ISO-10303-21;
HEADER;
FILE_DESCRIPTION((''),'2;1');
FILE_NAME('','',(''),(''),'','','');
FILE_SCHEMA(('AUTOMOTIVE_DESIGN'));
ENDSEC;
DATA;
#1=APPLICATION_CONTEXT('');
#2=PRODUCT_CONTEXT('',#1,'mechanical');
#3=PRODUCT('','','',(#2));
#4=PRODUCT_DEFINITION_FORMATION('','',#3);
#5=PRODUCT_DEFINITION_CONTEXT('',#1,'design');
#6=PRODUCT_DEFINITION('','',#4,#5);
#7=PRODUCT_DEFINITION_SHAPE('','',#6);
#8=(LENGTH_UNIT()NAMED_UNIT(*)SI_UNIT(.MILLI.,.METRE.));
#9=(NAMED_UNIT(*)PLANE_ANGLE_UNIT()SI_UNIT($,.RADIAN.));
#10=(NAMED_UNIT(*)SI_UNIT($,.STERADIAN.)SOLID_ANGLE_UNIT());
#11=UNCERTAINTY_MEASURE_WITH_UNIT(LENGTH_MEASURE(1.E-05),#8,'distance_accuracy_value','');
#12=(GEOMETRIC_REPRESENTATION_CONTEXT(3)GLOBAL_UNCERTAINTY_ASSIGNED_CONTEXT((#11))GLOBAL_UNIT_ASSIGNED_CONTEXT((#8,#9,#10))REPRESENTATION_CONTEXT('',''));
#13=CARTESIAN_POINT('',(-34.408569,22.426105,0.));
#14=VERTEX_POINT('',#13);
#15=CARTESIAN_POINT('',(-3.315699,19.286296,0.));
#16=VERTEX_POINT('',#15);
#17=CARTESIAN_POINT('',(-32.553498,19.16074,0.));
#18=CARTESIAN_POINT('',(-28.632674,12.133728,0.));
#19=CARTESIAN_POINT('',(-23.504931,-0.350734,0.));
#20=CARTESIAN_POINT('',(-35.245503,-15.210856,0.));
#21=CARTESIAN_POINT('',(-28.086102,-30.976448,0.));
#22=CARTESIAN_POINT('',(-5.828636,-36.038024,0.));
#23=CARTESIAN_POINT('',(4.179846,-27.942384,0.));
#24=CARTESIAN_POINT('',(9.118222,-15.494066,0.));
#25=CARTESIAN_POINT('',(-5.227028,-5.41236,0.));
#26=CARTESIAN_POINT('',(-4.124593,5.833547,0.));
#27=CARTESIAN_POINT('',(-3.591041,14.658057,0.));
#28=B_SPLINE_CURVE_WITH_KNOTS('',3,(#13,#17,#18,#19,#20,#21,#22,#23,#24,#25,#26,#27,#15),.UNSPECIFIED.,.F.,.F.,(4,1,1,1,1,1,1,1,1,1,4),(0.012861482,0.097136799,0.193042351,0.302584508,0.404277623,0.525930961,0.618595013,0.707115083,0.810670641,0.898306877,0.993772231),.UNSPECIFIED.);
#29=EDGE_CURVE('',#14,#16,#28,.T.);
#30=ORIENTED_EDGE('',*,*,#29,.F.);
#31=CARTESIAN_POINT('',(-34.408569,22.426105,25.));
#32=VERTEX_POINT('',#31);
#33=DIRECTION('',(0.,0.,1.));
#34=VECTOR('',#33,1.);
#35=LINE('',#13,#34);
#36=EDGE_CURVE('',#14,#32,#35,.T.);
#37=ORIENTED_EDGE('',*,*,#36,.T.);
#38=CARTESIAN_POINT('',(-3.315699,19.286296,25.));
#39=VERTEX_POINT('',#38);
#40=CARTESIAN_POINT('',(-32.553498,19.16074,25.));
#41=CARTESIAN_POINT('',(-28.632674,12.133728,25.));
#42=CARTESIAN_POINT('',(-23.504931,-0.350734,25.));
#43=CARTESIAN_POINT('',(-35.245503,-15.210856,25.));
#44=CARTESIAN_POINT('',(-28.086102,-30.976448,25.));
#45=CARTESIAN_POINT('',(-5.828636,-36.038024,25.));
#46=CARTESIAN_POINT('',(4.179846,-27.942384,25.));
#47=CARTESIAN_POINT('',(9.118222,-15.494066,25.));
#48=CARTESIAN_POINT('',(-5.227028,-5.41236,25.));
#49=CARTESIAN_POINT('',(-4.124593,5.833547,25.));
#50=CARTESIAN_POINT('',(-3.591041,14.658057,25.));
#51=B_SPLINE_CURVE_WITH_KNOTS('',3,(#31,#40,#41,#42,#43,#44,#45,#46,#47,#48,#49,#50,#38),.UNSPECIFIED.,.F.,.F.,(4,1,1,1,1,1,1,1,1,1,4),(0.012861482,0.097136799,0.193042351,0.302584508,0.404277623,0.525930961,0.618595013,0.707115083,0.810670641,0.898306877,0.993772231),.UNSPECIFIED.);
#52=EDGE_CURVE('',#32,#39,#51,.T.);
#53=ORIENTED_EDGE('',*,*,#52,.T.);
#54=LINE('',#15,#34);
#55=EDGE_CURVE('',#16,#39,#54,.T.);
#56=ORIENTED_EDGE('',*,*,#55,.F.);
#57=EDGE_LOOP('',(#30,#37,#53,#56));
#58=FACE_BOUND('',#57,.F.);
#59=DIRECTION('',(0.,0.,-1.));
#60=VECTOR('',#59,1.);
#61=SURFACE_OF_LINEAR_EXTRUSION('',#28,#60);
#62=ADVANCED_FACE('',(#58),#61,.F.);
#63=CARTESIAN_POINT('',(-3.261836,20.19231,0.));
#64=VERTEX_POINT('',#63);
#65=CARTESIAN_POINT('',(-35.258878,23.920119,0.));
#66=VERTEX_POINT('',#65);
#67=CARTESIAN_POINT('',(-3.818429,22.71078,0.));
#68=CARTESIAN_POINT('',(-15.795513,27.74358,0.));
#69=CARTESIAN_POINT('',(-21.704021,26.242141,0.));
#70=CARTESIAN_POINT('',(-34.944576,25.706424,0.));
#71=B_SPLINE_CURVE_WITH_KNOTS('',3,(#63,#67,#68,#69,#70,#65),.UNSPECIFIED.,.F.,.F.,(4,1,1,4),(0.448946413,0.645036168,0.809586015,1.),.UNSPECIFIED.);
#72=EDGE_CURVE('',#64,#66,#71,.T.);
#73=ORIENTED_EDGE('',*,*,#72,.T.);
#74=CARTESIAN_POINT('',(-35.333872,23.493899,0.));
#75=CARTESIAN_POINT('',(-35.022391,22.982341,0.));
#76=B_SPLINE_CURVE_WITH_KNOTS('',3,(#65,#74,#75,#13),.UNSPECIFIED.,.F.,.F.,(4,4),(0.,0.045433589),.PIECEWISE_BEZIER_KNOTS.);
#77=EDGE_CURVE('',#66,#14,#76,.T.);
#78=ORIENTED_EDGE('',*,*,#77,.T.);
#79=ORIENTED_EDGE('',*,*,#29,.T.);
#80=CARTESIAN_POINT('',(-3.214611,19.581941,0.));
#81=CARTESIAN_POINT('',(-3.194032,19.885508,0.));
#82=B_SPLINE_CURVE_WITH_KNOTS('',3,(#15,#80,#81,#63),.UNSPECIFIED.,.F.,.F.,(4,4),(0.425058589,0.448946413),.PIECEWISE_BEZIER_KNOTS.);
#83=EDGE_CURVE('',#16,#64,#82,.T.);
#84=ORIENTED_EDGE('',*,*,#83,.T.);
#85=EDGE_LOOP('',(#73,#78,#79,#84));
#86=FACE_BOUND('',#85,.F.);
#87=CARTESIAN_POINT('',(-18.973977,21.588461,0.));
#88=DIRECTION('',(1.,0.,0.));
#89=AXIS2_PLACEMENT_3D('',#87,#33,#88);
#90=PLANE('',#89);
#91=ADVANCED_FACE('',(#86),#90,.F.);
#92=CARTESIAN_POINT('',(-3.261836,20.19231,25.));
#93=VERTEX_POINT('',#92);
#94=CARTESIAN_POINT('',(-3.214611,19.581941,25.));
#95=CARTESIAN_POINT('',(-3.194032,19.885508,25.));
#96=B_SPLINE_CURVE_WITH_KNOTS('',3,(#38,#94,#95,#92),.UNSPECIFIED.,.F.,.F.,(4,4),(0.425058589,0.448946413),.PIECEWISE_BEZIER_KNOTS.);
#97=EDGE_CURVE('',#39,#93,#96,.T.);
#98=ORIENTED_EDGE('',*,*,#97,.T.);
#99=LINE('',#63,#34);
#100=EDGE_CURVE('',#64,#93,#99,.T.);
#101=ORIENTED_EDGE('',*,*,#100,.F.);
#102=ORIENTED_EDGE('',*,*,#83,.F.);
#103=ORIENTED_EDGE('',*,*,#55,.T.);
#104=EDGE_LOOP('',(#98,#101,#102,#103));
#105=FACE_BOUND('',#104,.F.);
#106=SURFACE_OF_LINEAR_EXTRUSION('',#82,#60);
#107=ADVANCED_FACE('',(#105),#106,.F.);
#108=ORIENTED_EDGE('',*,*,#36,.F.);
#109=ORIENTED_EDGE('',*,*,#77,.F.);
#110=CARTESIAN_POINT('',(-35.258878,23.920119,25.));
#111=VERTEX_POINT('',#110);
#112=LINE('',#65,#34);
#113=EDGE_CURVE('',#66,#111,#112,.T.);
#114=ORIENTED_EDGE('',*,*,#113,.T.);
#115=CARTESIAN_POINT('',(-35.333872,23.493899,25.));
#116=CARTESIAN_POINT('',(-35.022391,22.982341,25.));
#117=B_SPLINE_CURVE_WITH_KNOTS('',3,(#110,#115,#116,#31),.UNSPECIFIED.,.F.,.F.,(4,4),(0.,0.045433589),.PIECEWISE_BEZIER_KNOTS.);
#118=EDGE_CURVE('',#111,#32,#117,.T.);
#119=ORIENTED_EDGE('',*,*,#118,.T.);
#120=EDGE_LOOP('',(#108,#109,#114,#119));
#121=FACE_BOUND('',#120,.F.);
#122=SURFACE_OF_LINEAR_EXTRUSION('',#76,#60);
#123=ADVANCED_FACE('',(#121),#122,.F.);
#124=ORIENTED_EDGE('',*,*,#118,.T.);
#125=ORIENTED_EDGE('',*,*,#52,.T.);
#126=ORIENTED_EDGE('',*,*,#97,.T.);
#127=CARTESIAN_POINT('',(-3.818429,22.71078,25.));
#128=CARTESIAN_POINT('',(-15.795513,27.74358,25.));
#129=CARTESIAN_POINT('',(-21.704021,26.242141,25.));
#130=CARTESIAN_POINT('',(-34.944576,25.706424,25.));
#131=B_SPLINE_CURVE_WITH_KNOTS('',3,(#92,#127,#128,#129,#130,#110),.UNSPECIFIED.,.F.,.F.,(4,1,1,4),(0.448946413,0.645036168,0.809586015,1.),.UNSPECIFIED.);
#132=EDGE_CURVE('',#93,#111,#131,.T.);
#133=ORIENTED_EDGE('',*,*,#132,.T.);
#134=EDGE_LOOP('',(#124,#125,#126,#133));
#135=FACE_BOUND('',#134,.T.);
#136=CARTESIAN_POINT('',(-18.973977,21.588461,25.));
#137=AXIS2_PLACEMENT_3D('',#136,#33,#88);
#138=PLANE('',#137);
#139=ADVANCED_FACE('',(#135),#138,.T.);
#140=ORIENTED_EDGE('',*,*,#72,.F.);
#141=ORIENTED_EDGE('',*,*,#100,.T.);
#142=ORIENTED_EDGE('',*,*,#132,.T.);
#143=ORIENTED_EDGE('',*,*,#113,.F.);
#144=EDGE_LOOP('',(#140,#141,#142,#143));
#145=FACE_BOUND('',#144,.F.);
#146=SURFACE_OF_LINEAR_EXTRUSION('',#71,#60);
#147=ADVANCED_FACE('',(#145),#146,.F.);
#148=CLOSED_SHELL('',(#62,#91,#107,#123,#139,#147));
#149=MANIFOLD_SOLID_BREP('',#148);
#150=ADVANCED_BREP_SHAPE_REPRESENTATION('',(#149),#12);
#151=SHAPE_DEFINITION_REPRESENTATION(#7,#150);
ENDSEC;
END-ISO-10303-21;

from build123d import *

# Parameters (mm, degrees)
F1_DEPTH = 25


with BuildPart() as f1:
    # F0 (on Top) → F1 (new body)
    with BuildSketch(Plane.XY):
        with BuildLine():
            add(Edge.make_bspline(
                [(-3.3156988859, 19.2862956781), (-3.2977366911, 19.5882230066), (-3.2797865848, 19.8902666103), (-3.2618364785, 20.192310214)],
                knots=[0.9937722308, 0.9937722308, 0.9937722308, 0.9937722308, 1, 1, 1, 1], degree=3))
            add(Edge.make_bspline(
                [(-3.2618364785, 20.192310214), (-3.8184291734, 22.7107801267), (-15.795513292, 27.7435802494), (-21.704021288, 26.2421406393), (-34.9445758403, 25.7064244357), (-35.2588780224, 23.9201188087)],
                knots=[0.4489464131, 0.4489464131, 0.4489464131, 0.4489464131, 0.6450361681, 0.8095860148, 1, 1, 1, 1], degree=3))
            add(Edge.make_bspline(
                [(-35.2588780224, 23.9201188087), (-34.9752769969, 23.422280052), (-34.6916759714, 22.9244412952), (-34.4085686758, 22.4261052172)],
                knots=[0, 0, 0, 0, 0.0128614815, 0.0128614815, 0.0128614815, 0.0128614815], degree=3))
            add(Edge.make_bspline(
                [(-34.4085686758, 22.4261052172), (-31.5226835963, 19.8109614007), (-14.5166865308, 13.4081104144), (-4.0182506034, 17.2315768863), (-3.3156988859, 19.2862956781)],
                knots=[0.0454335892, 0.0454335892, 0.0454335892, 0.0454335892, 0.259039548, 0.4250585885, 0.4250585885, 0.4250585885, 0.4250585885], degree=3))
        make_face()
        with BuildLine():
            add(Edge.make_bspline(
                [(-3.3156988859, 19.2862956781), (-3.2146114915, 19.5819410573), (-3.1940318719, 19.8855080172), (-3.2618364785, 20.192310214)],
                knots=[0.4250585885, 0.4250585885, 0.4250585885, 0.4250585885, 0.4489464131, 0.4489464131, 0.4489464131, 0.4489464131], degree=3))
            add(Edge.make_bspline(
                [(-3.3156988859, 19.2862956781), (-3.2977366911, 19.5882230066), (-3.2797865848, 19.8902666103), (-3.2618364785, 20.192310214)],
                knots=[0.9937722308, 0.9937722308, 0.9937722308, 0.9937722308, 1, 1, 1, 1], degree=3))
        make_face()
        with BuildLine():
            add(Edge.make_bspline(
                [(-35.2588780224, 23.9201188087), (-34.9752769969, 23.422280052), (-34.6916759714, 22.9244412952), (-34.4085686758, 22.4261052172)],
                knots=[0, 0, 0, 0, 0.0128614815, 0.0128614815, 0.0128614815, 0.0128614815], degree=3))
            add(Edge.make_bspline(
                [(-35.2588780224, 23.9201188087), (-35.3338718639, 23.4938986658), (-35.0223910514, 22.982341431), (-34.4085686758, 22.4261052172)],
                knots=[0, 0, 0, 0, 0.0454335892, 0.0454335892, 0.0454335892, 0.0454335892], degree=3))
        make_face()
        with BuildLine():
            add(Edge.make_bspline(
                [(-34.4085686758, 22.4261052172), (-32.5534979962, 19.1607402435), (-28.6326743456, 12.1337281238), (-23.5049306618, -0.3507335857), (-35.2455034856, -15.2108562922), (-28.0861024706, -30.9764476259), (-5.8286361417, -36.038023833), (4.1798464422, -27.9423844826), (9.1182215464, -15.4940655721), (-5.2270283559, -5.4123596258), (-4.1245925372, 5.8335465246), (-3.5910410236, 14.658057464), (-3.3156988859, 19.2862956781)],
                knots=[0.0128614815, 0.0128614815, 0.0128614815, 0.0128614815, 0.0971367987, 0.1930423509, 0.3025845084, 0.4042776228, 0.5259309611, 0.6185950126, 0.7071150831, 0.8106706406, 0.8983068766, 0.9937722308, 0.9937722308, 0.9937722308, 0.9937722308], degree=3))
            add(Edge.make_bspline(
                [(-34.4085686758, 22.4261052172), (-31.5226835963, 19.8109614007), (-14.5166865308, 13.4081104144), (-4.0182506034, 17.2315768863), (-3.3156988859, 19.2862956781)],
                knots=[0.0454335892, 0.0454335892, 0.0454335892, 0.0454335892, 0.259039548, 0.4250585885, 0.4250585885, 0.4250585885, 0.4250585885], degree=3))
        make_face()
    extrude(amount=F1_DEPTH)


solid = f1.part
